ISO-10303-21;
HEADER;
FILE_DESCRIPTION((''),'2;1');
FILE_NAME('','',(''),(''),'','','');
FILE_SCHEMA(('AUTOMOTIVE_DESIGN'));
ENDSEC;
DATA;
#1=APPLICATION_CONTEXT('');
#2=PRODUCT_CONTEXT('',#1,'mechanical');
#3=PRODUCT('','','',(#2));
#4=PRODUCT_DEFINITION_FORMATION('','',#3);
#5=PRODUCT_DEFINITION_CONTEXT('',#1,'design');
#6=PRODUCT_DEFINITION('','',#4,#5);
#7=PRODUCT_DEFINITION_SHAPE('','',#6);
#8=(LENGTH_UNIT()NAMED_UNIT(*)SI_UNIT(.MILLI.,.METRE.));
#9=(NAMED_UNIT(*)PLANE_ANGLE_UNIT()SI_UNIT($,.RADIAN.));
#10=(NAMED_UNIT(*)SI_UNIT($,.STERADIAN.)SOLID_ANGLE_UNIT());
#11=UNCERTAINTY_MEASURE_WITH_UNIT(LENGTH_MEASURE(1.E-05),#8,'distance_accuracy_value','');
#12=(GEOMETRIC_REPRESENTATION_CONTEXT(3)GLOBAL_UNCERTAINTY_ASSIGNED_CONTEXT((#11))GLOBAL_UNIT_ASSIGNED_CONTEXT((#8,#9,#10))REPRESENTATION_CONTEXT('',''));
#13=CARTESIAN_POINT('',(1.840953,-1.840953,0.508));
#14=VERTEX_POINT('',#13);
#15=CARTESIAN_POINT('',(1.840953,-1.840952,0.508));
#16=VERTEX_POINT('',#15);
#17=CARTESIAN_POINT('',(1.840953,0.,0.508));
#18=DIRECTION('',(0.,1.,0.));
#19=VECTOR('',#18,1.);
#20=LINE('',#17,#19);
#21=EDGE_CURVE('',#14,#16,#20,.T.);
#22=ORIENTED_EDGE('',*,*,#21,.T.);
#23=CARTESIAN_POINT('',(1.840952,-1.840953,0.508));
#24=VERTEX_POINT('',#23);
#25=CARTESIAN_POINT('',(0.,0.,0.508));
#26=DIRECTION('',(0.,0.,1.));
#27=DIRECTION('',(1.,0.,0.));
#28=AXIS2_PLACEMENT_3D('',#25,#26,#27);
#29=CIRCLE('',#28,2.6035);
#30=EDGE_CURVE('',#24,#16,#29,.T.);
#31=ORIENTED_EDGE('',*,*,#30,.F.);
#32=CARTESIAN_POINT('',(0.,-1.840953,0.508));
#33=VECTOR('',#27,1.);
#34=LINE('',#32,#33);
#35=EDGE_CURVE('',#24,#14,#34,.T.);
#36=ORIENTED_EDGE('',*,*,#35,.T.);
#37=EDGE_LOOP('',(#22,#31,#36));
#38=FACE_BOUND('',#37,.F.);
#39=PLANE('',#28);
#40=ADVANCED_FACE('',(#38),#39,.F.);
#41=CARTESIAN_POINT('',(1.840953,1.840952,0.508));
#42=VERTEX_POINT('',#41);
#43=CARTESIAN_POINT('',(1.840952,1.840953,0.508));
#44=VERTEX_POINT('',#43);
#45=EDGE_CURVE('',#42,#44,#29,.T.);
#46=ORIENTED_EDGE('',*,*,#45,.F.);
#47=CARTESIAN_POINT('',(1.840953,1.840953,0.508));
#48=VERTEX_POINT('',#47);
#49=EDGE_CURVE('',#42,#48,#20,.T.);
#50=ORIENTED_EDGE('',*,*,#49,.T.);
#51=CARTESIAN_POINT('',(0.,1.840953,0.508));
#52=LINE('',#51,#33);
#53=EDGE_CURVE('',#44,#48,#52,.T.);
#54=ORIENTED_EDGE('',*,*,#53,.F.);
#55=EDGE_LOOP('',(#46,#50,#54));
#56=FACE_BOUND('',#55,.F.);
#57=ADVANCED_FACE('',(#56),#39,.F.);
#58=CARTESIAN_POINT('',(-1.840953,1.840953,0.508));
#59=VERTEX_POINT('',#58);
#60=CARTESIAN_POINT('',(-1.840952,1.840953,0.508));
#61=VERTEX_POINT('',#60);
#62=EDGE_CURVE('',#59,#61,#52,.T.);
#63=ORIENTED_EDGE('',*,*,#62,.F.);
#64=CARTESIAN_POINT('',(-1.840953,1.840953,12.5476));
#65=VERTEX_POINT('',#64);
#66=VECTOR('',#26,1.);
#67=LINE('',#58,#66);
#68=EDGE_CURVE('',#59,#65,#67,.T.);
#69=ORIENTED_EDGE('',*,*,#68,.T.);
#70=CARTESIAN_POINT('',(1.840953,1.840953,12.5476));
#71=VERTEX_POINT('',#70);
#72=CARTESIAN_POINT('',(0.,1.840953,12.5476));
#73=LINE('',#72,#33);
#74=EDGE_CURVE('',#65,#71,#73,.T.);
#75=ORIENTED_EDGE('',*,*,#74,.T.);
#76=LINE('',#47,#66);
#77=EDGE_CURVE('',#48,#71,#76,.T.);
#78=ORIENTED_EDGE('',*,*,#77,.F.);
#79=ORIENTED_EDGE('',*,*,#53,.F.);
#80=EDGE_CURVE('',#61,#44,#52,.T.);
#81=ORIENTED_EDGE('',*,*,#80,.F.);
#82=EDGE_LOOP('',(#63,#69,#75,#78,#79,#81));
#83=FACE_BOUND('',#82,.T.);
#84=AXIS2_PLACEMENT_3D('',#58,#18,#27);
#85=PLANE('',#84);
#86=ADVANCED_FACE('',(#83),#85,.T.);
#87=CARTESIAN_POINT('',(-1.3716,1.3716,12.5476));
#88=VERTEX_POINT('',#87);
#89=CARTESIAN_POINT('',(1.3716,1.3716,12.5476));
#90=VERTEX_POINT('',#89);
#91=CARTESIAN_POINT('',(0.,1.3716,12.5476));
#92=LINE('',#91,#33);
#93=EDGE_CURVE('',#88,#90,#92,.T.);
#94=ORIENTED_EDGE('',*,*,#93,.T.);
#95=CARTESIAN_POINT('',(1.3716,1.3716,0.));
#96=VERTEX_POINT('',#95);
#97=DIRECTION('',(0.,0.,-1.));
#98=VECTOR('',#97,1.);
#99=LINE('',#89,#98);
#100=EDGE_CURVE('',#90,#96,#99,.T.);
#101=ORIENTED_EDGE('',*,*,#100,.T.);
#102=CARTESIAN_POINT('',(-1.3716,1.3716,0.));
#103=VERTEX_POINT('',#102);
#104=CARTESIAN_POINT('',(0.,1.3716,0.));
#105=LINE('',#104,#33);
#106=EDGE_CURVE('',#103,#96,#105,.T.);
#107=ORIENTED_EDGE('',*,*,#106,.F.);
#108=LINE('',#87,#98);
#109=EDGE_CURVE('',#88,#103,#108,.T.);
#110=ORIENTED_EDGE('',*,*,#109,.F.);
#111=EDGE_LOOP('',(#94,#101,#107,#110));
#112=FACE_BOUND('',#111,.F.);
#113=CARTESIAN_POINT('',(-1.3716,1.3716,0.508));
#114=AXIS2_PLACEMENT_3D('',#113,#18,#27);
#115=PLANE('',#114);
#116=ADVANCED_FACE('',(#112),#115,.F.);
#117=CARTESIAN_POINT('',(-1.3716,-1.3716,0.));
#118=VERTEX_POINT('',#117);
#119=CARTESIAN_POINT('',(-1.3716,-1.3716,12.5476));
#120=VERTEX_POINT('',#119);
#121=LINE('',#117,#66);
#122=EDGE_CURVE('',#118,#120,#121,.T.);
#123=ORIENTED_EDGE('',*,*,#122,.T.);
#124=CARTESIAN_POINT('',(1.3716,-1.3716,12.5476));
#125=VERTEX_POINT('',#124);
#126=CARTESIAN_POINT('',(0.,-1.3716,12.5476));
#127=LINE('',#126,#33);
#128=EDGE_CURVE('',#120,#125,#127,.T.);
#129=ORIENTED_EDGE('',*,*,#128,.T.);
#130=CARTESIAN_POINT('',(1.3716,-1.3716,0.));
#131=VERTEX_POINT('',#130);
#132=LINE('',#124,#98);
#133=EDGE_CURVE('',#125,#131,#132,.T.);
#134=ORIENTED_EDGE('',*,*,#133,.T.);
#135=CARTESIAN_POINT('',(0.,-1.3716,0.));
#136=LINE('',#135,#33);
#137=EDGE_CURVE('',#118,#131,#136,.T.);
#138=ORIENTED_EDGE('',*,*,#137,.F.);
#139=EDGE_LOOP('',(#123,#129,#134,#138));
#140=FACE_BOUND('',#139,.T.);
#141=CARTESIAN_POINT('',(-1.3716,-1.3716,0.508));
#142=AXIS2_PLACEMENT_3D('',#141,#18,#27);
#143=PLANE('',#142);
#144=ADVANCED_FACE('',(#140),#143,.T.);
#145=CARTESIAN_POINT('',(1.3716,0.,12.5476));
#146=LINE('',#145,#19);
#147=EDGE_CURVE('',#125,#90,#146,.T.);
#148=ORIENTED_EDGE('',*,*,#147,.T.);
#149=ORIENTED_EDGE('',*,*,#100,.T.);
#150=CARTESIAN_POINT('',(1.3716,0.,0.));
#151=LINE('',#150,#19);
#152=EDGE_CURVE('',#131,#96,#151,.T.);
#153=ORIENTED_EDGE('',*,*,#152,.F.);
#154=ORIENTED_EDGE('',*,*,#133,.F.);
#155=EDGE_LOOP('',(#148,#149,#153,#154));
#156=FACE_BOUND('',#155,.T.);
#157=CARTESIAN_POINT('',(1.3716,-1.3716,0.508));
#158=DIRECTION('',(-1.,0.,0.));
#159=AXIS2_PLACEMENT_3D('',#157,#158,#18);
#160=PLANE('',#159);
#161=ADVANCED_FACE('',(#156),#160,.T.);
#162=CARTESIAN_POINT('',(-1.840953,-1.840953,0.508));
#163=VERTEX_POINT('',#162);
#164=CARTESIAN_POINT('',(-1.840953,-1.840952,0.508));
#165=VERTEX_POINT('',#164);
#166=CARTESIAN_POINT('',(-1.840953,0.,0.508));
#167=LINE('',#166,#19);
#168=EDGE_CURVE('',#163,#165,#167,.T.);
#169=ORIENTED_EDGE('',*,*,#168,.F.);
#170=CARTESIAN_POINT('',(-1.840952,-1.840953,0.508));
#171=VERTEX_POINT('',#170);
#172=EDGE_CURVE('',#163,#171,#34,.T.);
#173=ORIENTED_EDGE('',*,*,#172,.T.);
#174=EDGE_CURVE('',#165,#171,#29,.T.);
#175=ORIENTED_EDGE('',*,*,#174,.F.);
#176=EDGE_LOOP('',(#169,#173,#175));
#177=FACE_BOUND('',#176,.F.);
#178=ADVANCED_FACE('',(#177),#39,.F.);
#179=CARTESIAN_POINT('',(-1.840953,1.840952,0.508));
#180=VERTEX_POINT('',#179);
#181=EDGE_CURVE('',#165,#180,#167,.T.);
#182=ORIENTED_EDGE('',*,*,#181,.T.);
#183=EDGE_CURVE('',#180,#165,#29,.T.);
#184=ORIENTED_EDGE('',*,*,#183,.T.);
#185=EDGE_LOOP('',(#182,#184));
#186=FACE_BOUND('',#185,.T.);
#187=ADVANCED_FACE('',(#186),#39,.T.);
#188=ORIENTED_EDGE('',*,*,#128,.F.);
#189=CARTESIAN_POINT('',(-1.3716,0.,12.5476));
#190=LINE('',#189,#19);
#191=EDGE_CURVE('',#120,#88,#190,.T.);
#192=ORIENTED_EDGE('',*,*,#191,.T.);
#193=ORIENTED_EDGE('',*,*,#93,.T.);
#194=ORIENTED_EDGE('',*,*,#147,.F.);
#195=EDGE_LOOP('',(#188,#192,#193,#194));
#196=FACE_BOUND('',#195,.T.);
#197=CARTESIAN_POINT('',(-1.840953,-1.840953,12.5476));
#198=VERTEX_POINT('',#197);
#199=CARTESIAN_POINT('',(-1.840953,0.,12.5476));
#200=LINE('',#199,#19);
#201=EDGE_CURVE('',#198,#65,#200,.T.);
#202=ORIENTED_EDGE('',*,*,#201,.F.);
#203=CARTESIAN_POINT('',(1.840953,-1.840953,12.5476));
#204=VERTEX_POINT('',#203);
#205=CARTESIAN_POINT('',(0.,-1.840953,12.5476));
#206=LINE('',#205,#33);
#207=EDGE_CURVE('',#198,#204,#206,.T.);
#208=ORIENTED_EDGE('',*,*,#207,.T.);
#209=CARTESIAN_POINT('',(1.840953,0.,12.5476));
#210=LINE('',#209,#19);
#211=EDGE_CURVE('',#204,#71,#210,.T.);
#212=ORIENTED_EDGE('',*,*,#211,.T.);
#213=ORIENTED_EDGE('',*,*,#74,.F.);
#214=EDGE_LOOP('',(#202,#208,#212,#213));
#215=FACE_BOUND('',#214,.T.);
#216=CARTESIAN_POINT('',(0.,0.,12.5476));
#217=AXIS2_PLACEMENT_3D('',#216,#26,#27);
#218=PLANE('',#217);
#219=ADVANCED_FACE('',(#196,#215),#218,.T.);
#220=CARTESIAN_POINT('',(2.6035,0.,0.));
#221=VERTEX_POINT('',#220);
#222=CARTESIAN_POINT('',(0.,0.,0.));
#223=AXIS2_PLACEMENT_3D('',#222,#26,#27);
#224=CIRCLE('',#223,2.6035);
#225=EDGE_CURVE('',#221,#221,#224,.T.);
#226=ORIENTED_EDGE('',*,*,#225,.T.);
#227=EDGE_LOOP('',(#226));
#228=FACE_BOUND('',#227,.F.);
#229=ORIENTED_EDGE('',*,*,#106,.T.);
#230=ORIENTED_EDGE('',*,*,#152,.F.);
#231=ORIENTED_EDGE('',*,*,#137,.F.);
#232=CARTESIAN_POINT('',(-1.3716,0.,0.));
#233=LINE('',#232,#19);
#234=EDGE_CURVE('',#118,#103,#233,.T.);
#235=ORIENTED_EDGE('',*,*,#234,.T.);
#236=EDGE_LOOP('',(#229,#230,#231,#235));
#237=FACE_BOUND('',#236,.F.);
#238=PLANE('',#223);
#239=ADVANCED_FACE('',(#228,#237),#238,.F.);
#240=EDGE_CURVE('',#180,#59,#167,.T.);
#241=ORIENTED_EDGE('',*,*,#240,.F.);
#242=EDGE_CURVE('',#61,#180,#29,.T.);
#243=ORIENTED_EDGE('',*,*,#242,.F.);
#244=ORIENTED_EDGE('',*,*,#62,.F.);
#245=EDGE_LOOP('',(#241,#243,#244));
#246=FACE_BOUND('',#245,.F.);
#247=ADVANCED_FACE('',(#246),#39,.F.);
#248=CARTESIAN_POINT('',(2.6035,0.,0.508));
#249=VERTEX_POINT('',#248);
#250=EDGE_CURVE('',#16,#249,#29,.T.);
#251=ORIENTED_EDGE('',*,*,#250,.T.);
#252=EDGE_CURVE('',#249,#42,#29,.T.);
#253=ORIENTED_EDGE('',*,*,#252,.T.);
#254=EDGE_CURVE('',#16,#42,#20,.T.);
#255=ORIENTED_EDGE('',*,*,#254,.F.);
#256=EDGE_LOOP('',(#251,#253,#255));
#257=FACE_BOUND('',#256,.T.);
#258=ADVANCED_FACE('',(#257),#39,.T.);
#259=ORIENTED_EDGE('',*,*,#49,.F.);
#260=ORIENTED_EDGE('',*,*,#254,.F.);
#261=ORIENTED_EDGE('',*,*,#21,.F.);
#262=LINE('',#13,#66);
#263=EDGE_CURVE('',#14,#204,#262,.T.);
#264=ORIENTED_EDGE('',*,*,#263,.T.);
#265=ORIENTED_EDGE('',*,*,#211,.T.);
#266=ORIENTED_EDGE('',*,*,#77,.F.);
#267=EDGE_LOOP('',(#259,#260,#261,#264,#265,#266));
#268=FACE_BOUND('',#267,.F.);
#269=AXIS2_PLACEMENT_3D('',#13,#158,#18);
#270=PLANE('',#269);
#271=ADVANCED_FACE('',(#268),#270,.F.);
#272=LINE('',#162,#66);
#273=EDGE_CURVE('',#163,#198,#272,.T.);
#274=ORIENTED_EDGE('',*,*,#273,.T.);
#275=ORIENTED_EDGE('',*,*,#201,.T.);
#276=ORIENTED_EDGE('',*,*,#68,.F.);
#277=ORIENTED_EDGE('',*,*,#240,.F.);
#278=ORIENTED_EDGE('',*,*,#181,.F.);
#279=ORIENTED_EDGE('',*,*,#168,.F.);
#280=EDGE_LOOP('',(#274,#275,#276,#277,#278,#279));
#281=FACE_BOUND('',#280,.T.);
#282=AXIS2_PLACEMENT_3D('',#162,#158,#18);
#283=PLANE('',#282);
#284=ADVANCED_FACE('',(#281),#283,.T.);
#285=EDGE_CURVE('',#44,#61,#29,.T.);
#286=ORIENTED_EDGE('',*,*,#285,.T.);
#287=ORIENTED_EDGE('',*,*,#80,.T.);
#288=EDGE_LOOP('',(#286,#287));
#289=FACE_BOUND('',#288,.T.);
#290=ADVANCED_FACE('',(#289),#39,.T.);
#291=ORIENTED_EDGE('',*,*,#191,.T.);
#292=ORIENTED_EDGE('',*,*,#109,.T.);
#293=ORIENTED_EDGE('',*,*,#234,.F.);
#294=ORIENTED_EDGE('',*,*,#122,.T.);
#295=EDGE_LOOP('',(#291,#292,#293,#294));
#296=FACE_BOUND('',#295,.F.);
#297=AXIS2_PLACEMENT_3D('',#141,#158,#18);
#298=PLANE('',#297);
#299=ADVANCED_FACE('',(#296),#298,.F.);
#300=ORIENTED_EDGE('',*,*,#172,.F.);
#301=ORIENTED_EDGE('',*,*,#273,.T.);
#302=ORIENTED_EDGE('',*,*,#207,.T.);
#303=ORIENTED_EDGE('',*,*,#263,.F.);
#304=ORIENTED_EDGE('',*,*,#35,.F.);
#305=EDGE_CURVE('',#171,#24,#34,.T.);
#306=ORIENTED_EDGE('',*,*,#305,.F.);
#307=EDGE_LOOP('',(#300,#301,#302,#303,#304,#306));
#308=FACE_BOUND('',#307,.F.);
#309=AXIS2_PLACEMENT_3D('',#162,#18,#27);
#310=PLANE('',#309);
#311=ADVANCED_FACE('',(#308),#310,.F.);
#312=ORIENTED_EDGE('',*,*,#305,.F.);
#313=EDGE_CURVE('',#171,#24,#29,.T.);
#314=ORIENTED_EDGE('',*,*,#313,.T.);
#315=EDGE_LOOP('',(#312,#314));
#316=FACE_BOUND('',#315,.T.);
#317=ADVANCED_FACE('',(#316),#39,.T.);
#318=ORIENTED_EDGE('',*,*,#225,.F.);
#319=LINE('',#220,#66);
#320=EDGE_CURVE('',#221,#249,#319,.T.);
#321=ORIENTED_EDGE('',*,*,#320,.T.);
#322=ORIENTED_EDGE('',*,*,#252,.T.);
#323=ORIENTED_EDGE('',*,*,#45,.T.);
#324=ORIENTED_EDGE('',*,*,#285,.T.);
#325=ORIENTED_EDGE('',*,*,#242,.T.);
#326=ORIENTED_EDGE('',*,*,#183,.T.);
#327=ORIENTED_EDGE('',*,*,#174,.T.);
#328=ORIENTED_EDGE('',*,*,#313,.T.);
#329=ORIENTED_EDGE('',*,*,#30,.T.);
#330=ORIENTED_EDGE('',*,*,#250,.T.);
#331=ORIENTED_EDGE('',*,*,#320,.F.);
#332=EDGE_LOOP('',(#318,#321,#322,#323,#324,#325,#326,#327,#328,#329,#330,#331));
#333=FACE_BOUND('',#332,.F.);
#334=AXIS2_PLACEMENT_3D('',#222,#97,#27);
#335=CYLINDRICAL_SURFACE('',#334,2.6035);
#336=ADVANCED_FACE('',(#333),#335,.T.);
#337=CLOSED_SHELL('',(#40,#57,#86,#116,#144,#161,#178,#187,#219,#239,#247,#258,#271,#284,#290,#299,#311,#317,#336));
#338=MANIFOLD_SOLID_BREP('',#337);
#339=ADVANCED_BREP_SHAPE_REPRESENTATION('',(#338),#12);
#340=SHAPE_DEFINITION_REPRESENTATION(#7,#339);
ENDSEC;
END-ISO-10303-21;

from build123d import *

# Parameters (mm, degrees)
F0_R     = 2.6035
F0_W     = 2.7432
F0_H     = 2.7432
F1_DEPTH = 0.508
F2_W     = 3.681906
F2_H     = 3.681906
F2_W_2   = 2.7432
F2_H_2   = 2.7432
F3_DEPTH = 12.0396


with BuildPart() as f1:
    # F0 (on Top) → F1 (new body)
    with BuildSketch(Plane.XY):
        Circle(F0_R)
        Rectangle(F0_W, F0_H, mode=Mode.SUBTRACT)
    extrude(amount=F1_DEPTH)

    # F2 (on face) → F3 (join)
    with BuildSketch(Plane.XY.offset(0.508)):
        Rectangle(F2_W, F2_H)
        Rectangle(F2_W_2, F2_H_2, mode=Mode.SUBTRACT)
    extrude(amount=F3_DEPTH)


solid = f1.part
